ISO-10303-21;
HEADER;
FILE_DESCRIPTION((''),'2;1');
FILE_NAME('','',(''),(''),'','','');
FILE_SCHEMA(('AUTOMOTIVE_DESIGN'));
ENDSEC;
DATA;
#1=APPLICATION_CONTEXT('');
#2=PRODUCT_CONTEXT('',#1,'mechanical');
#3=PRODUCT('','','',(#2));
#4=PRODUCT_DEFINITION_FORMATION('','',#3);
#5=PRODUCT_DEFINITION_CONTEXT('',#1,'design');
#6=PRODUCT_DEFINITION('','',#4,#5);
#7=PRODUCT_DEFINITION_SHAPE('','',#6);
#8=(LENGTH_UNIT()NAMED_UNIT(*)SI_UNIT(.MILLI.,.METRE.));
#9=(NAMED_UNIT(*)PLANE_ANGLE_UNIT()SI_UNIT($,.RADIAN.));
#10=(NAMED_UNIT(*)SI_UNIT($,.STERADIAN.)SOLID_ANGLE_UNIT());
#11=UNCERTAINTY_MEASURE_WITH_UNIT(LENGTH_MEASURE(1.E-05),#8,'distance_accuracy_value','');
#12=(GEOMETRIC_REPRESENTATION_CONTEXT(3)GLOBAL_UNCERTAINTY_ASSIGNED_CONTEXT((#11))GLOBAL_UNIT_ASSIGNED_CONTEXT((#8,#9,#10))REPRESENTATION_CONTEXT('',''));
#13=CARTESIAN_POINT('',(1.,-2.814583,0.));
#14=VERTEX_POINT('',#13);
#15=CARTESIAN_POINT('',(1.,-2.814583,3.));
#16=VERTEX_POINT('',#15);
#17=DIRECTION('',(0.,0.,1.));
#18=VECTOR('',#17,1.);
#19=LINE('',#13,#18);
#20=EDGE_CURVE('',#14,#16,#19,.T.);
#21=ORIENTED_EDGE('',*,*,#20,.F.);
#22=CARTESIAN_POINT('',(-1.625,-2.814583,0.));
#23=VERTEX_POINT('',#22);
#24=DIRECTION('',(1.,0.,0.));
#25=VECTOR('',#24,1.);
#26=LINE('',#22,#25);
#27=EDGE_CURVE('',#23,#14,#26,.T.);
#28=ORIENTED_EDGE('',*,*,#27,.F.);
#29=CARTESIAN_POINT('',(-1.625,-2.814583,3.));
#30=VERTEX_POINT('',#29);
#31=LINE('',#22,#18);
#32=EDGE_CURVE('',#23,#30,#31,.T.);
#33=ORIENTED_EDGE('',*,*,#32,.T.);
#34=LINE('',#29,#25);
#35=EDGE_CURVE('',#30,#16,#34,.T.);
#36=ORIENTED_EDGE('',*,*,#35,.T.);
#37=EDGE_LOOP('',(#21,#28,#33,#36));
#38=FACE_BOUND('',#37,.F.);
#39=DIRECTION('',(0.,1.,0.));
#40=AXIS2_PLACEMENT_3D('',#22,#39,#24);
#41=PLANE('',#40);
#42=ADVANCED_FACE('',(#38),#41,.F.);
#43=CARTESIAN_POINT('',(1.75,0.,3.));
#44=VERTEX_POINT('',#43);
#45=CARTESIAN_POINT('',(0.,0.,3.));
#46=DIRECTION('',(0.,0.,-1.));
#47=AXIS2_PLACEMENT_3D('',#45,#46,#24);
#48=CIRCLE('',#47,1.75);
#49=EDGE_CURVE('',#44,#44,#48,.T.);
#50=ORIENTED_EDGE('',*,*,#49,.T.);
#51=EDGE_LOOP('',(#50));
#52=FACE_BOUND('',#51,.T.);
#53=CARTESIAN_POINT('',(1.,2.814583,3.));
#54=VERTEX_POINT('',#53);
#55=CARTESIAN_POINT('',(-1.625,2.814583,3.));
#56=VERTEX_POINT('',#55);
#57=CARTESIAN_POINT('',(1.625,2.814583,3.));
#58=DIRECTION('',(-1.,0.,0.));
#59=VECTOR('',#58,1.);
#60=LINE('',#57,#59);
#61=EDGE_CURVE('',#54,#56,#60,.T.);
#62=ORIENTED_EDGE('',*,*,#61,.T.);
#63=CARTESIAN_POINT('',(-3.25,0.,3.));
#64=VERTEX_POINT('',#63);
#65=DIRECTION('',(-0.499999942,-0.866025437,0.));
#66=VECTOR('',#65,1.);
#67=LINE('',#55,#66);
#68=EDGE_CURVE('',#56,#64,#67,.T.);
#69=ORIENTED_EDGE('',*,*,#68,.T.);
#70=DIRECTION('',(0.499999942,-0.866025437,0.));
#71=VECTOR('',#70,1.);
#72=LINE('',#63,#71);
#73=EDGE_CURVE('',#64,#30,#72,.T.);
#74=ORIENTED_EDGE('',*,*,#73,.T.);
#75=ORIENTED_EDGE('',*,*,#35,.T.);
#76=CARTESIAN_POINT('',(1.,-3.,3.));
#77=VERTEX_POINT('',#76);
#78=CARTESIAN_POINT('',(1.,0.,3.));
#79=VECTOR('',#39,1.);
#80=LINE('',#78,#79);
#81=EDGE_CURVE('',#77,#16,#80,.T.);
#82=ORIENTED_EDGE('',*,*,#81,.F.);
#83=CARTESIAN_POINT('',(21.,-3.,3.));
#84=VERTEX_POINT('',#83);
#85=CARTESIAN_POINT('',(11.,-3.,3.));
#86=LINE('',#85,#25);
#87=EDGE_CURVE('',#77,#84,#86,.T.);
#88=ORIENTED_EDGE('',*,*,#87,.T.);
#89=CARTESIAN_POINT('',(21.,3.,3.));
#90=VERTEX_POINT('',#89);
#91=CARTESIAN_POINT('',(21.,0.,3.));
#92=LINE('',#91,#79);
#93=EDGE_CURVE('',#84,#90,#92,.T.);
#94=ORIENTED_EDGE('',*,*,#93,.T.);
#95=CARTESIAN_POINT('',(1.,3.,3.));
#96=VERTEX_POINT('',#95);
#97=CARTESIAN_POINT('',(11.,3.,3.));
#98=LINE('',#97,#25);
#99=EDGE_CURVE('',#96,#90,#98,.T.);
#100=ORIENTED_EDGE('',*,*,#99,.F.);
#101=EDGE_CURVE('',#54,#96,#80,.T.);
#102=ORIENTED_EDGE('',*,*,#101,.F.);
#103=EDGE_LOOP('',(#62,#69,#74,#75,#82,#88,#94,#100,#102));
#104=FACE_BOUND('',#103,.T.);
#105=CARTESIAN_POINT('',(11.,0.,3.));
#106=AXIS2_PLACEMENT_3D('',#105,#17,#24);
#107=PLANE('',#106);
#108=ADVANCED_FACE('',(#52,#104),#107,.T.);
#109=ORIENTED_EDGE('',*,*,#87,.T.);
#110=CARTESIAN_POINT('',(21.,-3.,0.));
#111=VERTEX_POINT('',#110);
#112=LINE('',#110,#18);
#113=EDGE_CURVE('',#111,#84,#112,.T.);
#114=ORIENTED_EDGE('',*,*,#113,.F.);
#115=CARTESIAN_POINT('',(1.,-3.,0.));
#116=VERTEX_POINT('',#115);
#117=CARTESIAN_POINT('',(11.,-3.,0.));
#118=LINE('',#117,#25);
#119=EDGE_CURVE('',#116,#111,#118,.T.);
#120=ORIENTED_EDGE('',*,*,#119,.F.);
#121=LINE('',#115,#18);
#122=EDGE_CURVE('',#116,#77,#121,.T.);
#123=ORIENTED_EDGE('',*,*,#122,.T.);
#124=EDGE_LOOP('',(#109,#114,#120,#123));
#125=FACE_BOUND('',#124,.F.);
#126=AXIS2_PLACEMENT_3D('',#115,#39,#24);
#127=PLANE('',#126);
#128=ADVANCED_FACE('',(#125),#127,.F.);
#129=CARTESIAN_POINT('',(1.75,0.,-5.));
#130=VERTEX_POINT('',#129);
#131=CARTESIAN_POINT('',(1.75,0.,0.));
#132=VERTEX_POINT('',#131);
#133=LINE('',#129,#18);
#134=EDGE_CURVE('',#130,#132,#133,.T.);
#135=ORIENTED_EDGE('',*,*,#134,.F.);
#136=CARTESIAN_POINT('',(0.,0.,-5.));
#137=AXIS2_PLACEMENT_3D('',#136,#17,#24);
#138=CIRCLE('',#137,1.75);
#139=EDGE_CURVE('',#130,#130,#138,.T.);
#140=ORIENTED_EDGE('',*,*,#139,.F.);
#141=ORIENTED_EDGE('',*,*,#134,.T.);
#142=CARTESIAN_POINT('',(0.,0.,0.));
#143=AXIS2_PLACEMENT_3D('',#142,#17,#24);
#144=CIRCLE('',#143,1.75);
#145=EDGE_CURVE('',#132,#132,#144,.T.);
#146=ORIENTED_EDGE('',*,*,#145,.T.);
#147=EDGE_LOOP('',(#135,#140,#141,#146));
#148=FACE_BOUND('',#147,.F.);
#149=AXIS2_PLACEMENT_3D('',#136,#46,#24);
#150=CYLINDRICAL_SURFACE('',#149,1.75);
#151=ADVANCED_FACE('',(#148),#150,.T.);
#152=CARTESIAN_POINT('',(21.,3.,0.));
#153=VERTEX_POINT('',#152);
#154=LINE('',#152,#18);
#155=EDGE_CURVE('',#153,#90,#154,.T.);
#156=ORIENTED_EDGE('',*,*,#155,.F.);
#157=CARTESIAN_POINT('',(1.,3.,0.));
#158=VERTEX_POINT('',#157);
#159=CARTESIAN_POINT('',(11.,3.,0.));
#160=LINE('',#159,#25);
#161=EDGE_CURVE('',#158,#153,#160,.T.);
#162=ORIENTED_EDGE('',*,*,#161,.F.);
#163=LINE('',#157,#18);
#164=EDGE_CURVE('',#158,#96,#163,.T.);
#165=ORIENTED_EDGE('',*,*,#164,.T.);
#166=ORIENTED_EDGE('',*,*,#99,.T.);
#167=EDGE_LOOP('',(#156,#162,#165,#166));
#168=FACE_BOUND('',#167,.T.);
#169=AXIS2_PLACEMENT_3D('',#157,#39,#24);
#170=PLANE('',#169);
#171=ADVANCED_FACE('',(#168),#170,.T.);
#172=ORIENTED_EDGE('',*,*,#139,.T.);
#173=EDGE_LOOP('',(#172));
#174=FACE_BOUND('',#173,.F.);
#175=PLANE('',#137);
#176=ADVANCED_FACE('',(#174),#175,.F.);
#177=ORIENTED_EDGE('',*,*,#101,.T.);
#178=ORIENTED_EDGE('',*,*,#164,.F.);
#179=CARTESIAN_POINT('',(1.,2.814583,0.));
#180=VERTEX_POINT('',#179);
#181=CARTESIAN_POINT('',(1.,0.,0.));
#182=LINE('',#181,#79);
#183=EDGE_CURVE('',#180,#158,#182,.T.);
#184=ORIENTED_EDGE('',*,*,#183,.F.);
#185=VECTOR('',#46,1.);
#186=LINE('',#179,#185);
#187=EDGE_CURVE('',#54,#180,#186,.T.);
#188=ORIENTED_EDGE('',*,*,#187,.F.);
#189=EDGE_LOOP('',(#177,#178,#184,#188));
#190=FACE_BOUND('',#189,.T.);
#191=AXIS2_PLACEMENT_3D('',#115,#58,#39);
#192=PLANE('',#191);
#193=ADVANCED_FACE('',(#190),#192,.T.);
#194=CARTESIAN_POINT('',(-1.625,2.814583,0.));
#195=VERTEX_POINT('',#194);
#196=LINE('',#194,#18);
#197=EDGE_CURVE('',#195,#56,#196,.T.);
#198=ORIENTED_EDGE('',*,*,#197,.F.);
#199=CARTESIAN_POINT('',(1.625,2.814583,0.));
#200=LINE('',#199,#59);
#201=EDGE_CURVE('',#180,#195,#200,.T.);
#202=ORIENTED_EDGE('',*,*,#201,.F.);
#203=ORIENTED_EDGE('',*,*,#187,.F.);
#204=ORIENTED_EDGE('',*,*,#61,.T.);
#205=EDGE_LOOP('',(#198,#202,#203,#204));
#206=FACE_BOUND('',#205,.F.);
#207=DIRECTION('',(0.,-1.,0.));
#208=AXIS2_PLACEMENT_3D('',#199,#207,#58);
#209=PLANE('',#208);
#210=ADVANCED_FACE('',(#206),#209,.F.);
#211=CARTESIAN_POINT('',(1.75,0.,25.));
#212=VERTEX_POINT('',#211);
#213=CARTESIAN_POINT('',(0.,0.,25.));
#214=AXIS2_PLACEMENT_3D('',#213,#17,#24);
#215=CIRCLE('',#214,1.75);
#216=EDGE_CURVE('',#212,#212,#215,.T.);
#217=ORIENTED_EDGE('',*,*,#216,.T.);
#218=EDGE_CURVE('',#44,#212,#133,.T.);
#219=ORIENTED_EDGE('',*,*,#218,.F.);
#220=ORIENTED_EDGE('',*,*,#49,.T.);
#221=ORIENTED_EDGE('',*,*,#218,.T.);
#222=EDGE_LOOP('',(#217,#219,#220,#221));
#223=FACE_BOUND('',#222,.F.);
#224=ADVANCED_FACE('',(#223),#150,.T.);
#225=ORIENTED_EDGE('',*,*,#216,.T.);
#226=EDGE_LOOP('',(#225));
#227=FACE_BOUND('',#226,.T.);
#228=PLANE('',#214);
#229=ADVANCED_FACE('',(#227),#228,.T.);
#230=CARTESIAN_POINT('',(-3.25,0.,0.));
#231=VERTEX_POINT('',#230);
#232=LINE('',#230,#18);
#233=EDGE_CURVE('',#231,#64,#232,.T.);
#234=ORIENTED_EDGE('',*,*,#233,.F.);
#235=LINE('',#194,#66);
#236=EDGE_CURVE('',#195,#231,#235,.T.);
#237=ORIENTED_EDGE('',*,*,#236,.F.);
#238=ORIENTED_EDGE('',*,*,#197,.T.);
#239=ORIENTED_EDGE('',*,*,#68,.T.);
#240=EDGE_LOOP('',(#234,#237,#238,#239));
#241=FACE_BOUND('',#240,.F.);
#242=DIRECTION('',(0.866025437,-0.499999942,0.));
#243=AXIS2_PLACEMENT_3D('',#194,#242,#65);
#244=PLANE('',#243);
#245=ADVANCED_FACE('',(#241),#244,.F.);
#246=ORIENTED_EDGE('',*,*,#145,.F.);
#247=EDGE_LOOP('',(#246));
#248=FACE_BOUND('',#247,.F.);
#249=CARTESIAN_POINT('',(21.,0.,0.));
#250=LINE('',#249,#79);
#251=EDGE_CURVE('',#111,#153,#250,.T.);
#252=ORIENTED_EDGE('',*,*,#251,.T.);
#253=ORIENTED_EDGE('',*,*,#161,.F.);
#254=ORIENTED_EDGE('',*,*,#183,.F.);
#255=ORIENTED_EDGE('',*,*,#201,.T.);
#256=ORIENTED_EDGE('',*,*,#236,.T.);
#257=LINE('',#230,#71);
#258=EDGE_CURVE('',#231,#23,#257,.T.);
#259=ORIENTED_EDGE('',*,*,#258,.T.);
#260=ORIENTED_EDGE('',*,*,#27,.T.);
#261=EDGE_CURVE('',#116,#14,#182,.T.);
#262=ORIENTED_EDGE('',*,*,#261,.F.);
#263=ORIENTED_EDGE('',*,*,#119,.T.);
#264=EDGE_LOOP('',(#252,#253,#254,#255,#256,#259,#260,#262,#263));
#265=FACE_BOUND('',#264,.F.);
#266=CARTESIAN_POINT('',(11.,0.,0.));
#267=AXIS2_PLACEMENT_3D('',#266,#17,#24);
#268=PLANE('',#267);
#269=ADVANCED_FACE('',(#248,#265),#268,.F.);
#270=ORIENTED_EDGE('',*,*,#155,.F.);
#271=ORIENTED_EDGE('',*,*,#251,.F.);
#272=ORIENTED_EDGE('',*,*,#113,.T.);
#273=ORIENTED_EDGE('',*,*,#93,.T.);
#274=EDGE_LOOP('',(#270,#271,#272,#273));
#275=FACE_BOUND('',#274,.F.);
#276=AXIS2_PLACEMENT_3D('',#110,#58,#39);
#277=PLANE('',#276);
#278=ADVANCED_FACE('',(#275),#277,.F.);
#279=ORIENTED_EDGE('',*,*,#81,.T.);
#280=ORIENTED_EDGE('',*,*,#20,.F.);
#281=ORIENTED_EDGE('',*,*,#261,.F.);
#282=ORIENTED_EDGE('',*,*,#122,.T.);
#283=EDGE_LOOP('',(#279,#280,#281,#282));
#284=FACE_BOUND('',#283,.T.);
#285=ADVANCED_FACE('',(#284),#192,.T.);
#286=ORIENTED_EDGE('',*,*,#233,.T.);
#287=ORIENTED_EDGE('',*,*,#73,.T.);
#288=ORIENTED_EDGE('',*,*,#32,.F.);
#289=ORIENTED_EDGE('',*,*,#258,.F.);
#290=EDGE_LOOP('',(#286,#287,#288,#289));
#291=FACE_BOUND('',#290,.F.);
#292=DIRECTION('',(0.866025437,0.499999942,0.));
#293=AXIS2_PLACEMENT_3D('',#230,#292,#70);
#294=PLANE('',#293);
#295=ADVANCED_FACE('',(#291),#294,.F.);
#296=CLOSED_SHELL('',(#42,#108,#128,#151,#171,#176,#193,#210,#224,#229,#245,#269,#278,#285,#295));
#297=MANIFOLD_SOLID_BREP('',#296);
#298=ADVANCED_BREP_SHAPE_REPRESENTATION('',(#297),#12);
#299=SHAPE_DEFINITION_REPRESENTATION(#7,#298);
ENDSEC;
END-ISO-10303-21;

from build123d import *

# Parameters (mm, degrees)
CYLINDER_R     = 1.75
CYLINDER_DEPTH = 30
BOX001_W       = 20
BOX001_H       = 6
BOX001_DEPTH   = 3
PRISM_DEPTH    = 3


with BuildPart() as cilindro:
    # Cylinder → Cylinder (new body)
    with BuildSketch(Plane.XY.offset(-5)):
        Circle(CYLINDER_R)
    extrude(amount=CYLINDER_DEPTH)


with BuildPart() as cubo001:
    # Box001 → Box001 (new body)
    with BuildSketch(Plane(origin=(1, -3, 0), x_dir=(1, 0, 0), z_dir=(0, 0, 1))):
        with Locations((10, 3)):
            Rectangle(BOX001_W, BOX001_H)
    extrude(amount=BOX001_DEPTH)


with BuildPart() as fusion:
    # Prism → Prism (new body)
    with BuildSketch(Plane.XY):
        Polygon((3.25, 0), (1.625, 2.814583), (-1.625, 2.814583), (-3.25, 0), (-1.625, -2.814583), (1.625, -2.814583), align=None)
    extrude(amount=PRISM_DEPTH)

    # Fusion: union Cilindro, Cubo001
    add(cilindro.part)
    add(cubo001.part)


solid = fusion.part
